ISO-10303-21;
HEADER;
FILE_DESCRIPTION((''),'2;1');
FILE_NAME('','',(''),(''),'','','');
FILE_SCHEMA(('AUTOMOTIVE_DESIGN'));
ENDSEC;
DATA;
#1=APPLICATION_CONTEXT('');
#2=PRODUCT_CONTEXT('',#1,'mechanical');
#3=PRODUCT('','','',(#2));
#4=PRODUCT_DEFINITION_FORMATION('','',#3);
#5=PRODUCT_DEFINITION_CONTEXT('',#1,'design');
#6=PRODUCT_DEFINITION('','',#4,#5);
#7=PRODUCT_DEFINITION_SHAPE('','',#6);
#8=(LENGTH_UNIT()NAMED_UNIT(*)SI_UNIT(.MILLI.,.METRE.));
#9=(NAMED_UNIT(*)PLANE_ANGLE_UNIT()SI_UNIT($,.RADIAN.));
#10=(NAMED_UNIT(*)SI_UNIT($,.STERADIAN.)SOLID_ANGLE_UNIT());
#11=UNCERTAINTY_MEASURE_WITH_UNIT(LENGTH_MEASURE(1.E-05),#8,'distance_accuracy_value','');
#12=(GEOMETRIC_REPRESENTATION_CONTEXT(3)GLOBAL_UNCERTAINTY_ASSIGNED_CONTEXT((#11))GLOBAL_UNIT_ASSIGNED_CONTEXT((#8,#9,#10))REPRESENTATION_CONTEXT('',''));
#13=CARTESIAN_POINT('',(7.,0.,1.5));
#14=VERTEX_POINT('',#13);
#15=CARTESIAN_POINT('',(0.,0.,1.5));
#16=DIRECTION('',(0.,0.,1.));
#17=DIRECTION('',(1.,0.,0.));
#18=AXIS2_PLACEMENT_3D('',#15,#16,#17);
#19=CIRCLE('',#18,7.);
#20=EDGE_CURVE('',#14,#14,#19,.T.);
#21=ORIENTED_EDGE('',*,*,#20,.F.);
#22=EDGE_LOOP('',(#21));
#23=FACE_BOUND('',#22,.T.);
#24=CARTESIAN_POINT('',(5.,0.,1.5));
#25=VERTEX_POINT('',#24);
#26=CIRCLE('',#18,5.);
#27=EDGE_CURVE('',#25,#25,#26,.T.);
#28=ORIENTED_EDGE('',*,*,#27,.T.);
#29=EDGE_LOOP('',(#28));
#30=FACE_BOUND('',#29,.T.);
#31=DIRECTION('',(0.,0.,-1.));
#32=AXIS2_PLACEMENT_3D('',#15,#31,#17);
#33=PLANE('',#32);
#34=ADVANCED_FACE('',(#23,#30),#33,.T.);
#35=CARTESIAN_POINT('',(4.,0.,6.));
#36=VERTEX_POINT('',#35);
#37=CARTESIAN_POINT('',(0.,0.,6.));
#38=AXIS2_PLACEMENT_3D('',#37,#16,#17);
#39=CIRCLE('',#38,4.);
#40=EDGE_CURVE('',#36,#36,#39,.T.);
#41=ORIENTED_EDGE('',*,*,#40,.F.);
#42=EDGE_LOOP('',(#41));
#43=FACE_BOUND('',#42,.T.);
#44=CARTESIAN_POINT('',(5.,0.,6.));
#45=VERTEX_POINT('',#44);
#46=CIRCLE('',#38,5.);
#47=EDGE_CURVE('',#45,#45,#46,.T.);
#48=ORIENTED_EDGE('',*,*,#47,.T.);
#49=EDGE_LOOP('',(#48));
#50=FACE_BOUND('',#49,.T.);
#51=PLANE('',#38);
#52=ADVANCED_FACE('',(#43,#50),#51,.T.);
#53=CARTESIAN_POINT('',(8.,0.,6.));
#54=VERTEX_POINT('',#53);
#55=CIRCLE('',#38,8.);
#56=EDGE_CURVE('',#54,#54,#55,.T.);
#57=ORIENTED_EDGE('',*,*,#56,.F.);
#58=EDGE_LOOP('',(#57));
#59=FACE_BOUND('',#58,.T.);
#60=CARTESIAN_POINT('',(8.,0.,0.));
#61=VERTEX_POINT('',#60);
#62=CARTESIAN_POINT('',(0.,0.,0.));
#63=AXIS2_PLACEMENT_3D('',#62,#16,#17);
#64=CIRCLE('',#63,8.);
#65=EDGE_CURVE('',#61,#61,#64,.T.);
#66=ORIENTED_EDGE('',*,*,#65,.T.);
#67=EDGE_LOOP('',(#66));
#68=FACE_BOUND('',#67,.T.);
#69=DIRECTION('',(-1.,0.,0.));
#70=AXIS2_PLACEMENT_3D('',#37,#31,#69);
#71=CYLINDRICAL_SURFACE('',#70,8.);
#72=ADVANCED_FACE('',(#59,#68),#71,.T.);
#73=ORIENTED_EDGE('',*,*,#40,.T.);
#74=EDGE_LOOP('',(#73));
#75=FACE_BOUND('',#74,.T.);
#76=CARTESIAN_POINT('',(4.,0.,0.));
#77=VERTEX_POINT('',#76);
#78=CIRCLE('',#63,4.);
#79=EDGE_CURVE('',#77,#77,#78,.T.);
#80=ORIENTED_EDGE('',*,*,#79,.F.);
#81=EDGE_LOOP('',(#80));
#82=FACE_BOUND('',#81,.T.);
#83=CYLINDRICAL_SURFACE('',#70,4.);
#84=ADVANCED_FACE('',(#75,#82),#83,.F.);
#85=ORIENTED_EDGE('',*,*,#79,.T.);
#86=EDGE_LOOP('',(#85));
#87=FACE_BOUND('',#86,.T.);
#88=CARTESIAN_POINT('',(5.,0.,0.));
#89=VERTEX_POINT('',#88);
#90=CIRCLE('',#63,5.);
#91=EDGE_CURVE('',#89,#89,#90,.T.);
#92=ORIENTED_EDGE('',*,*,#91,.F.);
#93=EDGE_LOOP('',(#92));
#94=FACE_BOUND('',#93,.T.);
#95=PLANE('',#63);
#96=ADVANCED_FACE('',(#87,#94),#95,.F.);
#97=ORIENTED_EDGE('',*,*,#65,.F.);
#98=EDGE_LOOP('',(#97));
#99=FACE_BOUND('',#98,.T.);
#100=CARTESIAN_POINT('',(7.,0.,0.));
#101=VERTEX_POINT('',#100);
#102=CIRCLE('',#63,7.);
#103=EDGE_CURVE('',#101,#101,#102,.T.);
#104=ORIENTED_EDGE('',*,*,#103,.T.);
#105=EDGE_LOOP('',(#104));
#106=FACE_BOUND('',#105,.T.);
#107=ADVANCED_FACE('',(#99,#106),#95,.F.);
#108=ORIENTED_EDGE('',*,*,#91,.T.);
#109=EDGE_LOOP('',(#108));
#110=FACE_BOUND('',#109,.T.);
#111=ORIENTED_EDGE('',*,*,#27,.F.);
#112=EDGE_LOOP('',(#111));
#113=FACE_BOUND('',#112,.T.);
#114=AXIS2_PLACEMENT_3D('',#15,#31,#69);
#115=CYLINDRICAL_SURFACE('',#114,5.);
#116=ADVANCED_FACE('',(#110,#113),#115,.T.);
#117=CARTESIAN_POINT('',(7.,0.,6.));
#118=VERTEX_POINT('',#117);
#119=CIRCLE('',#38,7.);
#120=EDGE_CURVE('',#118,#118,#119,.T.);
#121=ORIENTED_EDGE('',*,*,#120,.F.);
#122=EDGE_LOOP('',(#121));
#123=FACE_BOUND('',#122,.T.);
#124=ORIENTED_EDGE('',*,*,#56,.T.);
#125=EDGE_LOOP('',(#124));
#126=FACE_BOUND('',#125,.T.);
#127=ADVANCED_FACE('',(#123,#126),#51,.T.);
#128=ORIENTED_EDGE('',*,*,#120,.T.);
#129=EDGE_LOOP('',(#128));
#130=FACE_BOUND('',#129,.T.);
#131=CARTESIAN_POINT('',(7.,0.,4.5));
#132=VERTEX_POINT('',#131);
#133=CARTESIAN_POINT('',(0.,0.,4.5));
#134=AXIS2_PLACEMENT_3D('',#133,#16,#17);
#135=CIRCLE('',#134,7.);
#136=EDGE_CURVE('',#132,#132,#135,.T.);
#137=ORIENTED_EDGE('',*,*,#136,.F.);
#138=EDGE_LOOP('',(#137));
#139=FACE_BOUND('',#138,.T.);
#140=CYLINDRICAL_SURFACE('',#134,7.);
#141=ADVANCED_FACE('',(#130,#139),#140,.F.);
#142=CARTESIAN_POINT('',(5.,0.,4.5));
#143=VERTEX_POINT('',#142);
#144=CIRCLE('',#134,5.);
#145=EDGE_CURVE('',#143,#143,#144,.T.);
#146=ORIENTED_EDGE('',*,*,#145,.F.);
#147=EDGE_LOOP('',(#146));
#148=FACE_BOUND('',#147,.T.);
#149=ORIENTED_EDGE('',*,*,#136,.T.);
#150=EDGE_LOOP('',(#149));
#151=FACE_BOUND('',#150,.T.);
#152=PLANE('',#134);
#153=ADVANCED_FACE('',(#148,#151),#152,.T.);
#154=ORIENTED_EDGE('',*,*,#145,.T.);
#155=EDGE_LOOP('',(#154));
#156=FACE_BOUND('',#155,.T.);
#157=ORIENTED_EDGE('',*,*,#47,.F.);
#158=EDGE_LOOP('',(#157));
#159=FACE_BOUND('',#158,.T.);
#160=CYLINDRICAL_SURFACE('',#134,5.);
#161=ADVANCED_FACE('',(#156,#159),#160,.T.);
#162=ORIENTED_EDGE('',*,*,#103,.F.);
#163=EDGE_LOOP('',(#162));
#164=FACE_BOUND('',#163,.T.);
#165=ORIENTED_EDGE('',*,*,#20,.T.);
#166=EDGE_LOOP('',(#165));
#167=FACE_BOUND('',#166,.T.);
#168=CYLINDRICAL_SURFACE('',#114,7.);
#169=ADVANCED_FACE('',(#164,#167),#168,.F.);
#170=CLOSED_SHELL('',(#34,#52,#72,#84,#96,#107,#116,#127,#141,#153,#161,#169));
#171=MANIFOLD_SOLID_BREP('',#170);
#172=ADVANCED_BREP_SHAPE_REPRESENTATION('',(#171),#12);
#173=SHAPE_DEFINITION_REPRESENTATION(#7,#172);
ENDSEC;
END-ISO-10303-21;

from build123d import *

# Parameters (mm, degrees)
SKETCH_1_R          = 8
SKETCH_1_R_2        = 4
EXTRUDE_1_DEPTH     = 6
SKETCH_2_R          = 7
SKETCH_2_R_2        = 5
CUT_EXTRUDE_1_DEPTH = 1.5


with BuildPart() as part:
    # 草图1 → 凸台-拉伸1 (new body)
    with BuildSketch(Plane.XY):
        Circle(SKETCH_1_R)
        Circle(SKETCH_1_R_2, mode=Mode.SUBTRACT)
    extrude(amount=EXTRUDE_1_DEPTH)

    # 草图2 → 切除-拉伸1 (cut)
    with BuildSketch(Plane.XY.offset(6)):
        Circle(SKETCH_2_R)
        Circle(SKETCH_2_R_2, mode=Mode.SUBTRACT)
    cut_extrude_1 = extrude(amount=-CUT_EXTRUDE_1_DEPTH, mode=Mode.SUBTRACT)

    # 镜向1: 切除-拉伸1 across plane
    add(cut_extrude_1.mirror(Plane.XY.offset(3)), mode=Mode.SUBTRACT)


solid = part.part
